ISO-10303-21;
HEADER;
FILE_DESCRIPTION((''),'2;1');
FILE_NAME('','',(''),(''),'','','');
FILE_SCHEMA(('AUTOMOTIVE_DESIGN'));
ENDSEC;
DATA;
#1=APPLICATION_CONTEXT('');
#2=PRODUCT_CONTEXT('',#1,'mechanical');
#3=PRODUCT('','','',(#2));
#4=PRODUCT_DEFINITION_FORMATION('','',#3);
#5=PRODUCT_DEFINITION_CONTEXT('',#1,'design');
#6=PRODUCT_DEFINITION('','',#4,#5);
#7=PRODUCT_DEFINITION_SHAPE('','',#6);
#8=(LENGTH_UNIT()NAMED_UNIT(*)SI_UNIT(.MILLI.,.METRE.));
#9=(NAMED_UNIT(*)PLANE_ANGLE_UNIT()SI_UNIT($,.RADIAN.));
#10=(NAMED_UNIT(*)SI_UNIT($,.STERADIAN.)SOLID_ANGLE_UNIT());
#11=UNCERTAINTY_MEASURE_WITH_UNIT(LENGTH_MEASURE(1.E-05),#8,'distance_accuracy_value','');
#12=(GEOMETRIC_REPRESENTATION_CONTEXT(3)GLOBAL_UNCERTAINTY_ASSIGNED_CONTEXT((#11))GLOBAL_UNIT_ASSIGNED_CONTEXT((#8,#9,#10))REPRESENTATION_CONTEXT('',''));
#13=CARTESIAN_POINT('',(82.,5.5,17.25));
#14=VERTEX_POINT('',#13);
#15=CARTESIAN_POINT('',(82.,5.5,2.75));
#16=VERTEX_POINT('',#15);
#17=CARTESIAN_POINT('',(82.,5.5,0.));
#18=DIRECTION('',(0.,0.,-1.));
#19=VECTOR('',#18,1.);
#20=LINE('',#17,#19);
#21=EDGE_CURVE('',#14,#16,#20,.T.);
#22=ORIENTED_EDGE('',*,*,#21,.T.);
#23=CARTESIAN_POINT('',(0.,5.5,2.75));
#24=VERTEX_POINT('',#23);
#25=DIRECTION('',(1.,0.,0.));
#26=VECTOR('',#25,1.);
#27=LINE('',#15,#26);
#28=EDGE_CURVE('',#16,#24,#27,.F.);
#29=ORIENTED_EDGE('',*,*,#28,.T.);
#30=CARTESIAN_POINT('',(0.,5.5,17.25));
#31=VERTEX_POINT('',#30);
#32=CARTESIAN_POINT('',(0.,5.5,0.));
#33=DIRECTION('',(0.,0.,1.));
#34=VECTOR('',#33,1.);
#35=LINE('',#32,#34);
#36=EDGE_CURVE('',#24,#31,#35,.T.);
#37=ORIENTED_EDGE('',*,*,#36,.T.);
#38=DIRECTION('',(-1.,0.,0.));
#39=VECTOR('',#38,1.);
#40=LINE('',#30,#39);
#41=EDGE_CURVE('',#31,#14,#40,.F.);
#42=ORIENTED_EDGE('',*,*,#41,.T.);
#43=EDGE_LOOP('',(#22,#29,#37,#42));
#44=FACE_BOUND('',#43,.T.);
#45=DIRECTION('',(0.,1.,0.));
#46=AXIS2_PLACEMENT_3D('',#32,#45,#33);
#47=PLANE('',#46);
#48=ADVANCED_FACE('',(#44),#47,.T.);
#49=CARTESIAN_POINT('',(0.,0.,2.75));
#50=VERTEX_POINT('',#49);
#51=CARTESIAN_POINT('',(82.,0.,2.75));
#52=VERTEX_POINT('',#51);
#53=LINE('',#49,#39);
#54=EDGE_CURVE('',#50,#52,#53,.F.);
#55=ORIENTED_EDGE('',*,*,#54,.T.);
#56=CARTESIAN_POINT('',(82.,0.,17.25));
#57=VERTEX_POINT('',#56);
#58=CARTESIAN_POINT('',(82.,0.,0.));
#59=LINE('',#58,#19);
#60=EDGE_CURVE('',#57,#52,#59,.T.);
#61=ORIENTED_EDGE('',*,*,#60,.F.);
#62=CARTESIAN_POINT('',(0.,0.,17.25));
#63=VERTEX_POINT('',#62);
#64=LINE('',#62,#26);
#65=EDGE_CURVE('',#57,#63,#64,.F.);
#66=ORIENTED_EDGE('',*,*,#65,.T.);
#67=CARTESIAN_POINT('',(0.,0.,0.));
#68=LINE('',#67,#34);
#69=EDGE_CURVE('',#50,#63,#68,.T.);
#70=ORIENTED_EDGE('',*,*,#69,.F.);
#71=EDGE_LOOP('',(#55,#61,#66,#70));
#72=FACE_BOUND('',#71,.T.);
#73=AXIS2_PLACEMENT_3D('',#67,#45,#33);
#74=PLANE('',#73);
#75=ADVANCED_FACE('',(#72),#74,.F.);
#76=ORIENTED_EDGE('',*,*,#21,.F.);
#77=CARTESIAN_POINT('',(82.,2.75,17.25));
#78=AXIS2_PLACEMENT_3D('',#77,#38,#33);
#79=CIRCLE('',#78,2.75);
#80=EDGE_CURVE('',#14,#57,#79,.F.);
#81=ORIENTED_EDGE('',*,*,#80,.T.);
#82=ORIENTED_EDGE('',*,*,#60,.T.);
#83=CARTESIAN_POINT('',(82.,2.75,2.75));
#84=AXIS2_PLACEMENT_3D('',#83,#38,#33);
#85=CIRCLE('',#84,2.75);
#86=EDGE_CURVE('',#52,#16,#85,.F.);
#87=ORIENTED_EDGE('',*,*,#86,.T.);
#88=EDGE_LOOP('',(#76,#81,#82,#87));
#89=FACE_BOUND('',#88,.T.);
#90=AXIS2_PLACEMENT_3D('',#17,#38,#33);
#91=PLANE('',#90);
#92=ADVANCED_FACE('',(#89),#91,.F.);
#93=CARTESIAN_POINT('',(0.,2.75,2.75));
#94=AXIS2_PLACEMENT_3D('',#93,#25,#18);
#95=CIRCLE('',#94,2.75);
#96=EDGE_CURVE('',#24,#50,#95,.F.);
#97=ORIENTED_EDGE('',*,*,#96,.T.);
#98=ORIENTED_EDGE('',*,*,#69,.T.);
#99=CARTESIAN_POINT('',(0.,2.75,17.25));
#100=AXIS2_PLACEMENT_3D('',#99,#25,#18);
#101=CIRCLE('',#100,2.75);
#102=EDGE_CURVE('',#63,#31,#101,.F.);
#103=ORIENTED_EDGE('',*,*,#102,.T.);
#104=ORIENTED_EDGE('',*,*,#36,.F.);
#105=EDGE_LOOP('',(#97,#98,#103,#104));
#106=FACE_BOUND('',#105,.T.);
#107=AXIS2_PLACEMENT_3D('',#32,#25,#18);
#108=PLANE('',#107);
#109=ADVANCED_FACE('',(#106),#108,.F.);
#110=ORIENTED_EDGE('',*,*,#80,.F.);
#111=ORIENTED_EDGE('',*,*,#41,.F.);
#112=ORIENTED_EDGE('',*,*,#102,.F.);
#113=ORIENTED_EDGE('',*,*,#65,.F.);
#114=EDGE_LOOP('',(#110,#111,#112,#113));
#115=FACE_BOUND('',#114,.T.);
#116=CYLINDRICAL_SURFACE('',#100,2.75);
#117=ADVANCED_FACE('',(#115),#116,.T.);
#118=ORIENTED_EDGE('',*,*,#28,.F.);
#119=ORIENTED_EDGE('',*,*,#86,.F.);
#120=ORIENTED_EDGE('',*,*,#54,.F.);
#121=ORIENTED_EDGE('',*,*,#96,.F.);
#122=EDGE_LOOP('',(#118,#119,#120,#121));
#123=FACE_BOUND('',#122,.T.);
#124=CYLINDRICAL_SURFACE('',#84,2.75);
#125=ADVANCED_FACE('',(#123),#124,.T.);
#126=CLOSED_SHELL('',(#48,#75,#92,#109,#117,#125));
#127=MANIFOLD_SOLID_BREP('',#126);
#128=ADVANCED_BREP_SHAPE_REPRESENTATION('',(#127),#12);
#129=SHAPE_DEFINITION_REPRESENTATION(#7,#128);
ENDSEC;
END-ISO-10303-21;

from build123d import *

# Parameters (mm, degrees)
SKETCH_1_W      = 82
SKETCH_1_H      = 20
EXTRUDE_1_DEPTH = 5.5
FILLET_1_RADIUS = 2.75
FILLET_1_LENGTH = 82
FILLET_2_RADIUS = 2.75
FILLET_2_LENGTH = 82


with BuildPart() as part:
    # 草图1 → 凸台-拉伸1 (new body)
    with BuildSketch(Plane(origin=(0, 0, 0), x_dir=(1, 0, 0), z_dir=(0, 1, 0))):
        with Locations((41, -10)):
            Rectangle(SKETCH_1_W, SKETCH_1_H)
    extrude(amount=EXTRUDE_1_DEPTH)

    # 圆角1: full round fillet: the end face becomes a half cylinder, R = half its width
    fillet_1_face = Plane((41, 2.75, 0), x_dir=(1, 0, 0), z_dir=(0, 0, -1))  # on the end face: x along it, z out of the body
    fillet_1_slab = fillet_1_face.offset(-FILLET_1_RADIUS / 2) * Box(FILLET_1_LENGTH, 2 * FILLET_1_RADIUS, FILLET_1_RADIUS, mode=Mode.PRIVATE)  # the body's end, R deep
    fillet_1_round = Plane((41, 2.75, 2.75), x_dir=(0, 0, -1), z_dir=(1, 0, 0)) * Cylinder(FILLET_1_RADIUS, FILLET_1_LENGTH, mode=Mode.PRIVATE)  # its axis R under the face
    add(fillet_1_slab - fillet_1_round, mode=Mode.SUBTRACT)

    # 圆角2: full round fillet: the end face becomes a half cylinder, R = half its width
    fillet_2_face = Plane((41, 2.75, 20), x_dir=(1, 0, 0), z_dir=(0, 0, 1))  # on the end face: x along it, z out of the body
    fillet_2_slab = fillet_2_face.offset(-FILLET_2_RADIUS / 2) * Box(FILLET_2_LENGTH, 2 * FILLET_2_RADIUS, FILLET_2_RADIUS, mode=Mode.PRIVATE)  # the body's end, R deep
    fillet_2_round = Plane((41, 2.75, 17.25), x_dir=(0, 0, 1), z_dir=(1, 0, 0)) * Cylinder(FILLET_2_RADIUS, FILLET_2_LENGTH, mode=Mode.PRIVATE)  # its axis R under the face
    add(fillet_2_slab - fillet_2_round, mode=Mode.SUBTRACT)


solid = part.part
